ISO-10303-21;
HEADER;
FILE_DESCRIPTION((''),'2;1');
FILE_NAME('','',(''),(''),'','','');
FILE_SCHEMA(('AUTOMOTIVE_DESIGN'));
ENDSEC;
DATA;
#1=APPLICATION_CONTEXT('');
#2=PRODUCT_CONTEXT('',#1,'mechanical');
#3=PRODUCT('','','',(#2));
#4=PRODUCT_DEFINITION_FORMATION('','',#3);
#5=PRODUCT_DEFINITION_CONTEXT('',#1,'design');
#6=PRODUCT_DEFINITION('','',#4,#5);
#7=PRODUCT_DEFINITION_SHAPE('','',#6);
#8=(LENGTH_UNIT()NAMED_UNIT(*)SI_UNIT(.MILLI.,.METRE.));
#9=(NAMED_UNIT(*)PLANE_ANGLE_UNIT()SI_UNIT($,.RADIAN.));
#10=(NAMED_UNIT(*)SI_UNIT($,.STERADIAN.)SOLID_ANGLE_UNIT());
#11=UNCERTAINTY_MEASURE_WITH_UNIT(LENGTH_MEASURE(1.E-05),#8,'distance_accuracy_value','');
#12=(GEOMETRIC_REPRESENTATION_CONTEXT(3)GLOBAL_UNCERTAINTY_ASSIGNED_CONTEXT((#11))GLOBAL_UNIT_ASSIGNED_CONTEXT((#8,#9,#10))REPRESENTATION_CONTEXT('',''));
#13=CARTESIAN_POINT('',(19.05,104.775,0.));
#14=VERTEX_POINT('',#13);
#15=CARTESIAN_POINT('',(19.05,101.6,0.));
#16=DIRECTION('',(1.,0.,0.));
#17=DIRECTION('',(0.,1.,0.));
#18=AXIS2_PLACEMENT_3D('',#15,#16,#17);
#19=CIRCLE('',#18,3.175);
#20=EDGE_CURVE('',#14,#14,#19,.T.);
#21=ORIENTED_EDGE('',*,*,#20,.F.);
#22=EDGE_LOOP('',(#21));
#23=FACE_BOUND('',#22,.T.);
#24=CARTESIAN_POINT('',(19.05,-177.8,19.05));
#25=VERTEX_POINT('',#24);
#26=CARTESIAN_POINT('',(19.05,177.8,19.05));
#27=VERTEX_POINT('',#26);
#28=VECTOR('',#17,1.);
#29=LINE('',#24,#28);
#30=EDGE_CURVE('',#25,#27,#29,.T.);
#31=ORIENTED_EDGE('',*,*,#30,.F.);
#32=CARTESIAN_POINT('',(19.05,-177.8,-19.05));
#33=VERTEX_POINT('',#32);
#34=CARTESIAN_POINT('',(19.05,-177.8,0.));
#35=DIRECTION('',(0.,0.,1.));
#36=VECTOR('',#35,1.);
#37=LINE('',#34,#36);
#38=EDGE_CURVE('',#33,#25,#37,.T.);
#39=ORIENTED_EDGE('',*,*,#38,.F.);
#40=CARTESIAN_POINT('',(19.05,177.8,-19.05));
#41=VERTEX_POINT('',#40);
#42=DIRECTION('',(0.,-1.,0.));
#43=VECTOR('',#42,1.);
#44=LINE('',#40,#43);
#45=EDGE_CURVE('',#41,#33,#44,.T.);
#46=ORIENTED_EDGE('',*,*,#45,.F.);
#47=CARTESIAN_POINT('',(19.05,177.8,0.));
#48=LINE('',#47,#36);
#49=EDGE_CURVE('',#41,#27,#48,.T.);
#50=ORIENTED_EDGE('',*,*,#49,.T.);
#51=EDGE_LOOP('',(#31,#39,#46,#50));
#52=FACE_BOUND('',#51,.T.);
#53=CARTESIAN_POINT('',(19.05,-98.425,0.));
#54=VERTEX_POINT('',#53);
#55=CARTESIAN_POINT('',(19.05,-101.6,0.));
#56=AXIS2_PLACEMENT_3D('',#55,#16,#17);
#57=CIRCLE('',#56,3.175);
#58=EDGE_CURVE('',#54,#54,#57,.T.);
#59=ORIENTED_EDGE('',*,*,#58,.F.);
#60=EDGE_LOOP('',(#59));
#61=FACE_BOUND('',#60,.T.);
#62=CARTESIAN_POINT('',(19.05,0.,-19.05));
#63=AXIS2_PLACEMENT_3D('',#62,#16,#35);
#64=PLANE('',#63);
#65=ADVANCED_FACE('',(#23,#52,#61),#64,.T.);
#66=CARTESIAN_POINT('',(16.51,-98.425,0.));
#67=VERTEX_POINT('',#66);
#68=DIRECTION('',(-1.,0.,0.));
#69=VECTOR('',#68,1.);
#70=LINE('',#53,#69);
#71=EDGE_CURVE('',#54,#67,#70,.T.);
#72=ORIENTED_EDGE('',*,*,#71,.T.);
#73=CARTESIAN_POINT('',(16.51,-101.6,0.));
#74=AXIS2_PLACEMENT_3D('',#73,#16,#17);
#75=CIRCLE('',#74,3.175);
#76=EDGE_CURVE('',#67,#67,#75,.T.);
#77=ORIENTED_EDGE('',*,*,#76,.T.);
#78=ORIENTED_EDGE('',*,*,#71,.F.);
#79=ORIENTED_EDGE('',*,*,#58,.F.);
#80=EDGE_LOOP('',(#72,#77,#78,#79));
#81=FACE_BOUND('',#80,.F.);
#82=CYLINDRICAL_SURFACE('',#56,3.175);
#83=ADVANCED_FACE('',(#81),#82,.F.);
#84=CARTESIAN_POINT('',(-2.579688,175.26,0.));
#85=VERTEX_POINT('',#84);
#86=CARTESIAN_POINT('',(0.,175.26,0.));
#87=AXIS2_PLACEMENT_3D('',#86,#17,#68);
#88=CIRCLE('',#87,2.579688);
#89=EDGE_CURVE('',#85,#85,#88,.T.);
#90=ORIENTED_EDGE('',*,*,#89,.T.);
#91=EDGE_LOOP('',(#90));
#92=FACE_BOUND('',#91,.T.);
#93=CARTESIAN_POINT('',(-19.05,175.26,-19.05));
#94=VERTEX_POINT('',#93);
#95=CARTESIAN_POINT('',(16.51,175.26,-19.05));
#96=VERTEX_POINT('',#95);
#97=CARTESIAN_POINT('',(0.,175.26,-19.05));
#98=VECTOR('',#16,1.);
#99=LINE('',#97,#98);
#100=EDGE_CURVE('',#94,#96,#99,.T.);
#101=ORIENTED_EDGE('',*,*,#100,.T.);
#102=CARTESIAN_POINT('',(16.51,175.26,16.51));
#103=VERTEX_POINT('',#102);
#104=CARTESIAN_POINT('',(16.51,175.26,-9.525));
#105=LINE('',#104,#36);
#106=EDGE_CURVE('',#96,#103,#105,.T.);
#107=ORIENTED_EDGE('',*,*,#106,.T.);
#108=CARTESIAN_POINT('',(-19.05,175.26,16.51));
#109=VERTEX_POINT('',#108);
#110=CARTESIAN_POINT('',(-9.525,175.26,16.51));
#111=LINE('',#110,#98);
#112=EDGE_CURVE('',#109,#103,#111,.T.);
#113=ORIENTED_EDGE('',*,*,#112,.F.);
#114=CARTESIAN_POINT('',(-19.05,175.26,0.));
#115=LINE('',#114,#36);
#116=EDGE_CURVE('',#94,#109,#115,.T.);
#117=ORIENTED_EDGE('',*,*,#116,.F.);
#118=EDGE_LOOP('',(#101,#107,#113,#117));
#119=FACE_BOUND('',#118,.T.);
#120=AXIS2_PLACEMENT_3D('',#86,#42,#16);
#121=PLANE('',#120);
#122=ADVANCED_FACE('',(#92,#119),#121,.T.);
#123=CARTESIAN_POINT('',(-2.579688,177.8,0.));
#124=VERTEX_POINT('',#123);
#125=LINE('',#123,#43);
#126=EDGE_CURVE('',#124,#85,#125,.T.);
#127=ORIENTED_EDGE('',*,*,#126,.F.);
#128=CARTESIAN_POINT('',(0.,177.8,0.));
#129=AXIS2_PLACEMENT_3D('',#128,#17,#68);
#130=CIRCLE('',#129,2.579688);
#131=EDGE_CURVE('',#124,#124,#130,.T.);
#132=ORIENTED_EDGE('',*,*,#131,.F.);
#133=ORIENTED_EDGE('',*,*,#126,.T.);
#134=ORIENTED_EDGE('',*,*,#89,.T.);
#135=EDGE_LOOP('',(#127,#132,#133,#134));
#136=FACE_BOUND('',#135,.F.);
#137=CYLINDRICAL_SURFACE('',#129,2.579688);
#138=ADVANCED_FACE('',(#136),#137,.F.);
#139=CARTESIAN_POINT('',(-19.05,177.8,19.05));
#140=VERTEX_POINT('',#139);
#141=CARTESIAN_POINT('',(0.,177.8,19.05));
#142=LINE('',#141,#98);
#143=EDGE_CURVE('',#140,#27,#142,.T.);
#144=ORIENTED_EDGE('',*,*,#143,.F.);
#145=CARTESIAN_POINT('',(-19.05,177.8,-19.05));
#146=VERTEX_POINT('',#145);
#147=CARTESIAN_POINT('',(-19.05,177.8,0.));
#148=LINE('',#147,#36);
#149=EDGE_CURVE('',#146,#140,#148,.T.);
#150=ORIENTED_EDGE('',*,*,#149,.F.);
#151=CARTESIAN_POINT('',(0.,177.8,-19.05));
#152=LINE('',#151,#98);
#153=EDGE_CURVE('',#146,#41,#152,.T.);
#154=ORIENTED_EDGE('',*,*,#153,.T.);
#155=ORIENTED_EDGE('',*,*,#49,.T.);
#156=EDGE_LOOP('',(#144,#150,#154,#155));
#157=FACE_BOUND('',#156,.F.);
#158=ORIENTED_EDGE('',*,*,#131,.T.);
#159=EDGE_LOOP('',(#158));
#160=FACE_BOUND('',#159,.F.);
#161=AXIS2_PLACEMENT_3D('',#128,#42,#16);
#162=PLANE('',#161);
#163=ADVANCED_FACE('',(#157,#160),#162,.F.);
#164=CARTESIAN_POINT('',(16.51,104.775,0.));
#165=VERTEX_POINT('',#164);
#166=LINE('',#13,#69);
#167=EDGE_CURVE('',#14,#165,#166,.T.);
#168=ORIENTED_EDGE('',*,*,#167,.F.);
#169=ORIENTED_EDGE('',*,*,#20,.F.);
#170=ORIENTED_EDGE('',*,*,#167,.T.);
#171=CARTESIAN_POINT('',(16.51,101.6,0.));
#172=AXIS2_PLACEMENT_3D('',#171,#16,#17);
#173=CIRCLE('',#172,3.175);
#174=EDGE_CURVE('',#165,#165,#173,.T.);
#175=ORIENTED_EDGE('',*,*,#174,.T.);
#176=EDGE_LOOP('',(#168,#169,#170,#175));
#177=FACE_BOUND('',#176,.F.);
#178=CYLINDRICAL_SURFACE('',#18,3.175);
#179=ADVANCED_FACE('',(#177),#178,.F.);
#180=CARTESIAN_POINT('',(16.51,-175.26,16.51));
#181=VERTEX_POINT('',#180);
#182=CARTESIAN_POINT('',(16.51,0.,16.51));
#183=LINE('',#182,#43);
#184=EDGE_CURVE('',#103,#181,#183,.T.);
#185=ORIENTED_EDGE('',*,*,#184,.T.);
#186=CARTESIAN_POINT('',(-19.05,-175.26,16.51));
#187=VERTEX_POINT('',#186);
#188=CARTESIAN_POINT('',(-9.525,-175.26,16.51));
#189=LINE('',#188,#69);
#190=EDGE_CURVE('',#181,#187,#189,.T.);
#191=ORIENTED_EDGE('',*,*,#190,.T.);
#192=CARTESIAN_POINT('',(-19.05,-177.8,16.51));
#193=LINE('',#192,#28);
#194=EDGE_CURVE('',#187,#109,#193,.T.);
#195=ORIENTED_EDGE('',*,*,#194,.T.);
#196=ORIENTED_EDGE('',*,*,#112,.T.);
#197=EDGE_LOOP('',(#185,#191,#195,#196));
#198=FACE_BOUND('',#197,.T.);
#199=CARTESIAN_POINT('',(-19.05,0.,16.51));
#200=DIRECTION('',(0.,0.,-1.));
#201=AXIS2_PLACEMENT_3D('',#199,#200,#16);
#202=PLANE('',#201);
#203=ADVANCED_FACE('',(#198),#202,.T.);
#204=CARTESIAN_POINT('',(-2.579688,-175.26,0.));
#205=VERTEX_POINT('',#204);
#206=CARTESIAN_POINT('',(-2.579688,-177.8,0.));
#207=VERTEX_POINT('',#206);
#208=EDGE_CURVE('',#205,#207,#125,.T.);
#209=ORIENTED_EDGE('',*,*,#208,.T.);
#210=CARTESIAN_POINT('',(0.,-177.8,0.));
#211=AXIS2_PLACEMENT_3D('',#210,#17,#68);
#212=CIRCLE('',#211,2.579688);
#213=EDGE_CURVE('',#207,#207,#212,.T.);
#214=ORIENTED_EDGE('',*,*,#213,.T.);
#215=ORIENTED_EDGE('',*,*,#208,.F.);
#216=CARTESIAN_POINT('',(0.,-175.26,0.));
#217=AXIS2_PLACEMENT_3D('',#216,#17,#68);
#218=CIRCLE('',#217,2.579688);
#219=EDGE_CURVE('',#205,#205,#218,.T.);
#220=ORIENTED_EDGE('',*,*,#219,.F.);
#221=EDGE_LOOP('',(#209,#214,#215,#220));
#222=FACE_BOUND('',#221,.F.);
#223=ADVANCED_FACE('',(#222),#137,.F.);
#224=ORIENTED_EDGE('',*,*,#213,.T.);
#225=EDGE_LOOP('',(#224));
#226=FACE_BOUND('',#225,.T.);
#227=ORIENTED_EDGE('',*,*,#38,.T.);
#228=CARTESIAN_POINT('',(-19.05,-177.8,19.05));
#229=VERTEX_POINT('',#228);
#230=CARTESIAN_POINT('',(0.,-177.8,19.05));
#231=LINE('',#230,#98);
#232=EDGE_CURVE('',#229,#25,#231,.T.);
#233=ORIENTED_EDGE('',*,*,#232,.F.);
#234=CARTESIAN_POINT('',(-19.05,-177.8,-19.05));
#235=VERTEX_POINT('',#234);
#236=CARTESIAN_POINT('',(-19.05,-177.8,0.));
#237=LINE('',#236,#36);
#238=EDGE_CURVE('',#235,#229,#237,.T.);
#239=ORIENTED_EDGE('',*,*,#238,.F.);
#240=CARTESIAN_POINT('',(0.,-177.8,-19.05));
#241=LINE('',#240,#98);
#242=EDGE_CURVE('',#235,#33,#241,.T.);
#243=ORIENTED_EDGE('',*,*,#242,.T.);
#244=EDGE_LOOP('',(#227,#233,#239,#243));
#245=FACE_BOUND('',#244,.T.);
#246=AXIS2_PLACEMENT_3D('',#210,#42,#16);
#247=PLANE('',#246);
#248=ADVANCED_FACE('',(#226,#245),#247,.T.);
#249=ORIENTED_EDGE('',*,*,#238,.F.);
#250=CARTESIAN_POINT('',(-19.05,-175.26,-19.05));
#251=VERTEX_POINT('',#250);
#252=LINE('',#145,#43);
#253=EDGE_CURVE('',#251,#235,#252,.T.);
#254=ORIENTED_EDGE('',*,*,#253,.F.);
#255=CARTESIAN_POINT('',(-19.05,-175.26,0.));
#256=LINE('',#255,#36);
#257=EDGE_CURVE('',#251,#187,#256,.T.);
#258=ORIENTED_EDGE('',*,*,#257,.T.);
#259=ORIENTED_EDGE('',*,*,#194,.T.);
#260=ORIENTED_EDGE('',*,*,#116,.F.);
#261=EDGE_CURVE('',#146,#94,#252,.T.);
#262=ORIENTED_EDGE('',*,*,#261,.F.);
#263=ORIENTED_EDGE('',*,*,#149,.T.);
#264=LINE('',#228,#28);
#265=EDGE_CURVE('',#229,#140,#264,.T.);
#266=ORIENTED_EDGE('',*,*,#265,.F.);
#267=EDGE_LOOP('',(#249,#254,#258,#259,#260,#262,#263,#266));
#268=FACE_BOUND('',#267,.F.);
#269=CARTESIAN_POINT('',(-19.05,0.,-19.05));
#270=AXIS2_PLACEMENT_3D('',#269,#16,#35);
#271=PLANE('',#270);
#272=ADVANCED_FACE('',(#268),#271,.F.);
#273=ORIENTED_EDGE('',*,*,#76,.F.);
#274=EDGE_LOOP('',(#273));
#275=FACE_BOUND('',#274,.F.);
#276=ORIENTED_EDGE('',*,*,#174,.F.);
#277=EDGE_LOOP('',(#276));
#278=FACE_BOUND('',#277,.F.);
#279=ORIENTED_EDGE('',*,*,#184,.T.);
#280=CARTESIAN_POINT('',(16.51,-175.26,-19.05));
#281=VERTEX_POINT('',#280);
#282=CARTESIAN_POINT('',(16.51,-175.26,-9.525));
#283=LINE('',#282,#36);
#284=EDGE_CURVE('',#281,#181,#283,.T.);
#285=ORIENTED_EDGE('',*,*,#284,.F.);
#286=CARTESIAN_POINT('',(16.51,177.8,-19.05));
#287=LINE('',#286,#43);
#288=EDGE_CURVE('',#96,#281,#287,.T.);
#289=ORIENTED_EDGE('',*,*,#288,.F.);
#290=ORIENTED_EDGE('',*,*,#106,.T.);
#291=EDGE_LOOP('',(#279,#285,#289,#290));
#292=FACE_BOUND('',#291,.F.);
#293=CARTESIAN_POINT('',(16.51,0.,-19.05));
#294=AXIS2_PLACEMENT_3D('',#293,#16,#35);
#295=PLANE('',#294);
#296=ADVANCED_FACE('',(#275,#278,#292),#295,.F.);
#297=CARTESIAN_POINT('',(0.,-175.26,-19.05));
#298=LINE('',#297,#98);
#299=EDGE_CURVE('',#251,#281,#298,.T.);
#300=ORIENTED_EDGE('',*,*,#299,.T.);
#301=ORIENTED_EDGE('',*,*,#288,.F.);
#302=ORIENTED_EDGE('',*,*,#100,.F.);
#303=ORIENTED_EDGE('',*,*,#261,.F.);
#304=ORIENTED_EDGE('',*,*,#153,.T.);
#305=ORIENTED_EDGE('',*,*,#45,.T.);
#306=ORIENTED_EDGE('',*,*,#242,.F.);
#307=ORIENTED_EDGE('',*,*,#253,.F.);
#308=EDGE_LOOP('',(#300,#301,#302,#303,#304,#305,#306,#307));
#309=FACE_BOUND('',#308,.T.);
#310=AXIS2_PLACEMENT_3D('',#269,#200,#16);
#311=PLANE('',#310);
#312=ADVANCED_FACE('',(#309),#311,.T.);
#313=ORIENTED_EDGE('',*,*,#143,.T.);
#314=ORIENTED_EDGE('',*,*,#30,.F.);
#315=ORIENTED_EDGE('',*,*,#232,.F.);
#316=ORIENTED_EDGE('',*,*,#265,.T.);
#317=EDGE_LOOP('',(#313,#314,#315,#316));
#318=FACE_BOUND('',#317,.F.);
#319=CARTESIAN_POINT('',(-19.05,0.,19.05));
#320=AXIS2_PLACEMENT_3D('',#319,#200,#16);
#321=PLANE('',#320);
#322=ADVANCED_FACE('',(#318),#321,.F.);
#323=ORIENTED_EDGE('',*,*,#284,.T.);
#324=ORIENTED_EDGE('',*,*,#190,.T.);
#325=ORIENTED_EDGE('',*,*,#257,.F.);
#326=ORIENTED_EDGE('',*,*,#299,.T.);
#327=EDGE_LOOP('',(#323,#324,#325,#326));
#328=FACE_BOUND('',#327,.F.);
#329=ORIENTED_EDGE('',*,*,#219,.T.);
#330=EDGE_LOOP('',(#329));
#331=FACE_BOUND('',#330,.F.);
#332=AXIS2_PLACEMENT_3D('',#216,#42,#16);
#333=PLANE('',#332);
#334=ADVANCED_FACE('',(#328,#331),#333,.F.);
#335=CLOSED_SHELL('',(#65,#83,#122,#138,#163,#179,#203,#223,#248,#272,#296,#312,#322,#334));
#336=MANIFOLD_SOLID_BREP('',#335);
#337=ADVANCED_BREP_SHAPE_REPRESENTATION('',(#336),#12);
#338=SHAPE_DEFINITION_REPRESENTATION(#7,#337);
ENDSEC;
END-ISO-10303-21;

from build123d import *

# Parameters (mm, degrees)
F0_W     = 38.1
F0_H     = 38.1
F1_DEPTH = 177.8
F2_T     = -2.54
F3_R     = 2.579688
F4_DEPTH = 355.601
F5_R     = 3.175
F6_DEPTH = 38.101


with BuildPart() as f1:
    # F0 (on Front) → F1 (new body, symmetric)
    with BuildSketch(Plane.XZ):
        Rectangle(F0_W, F0_H)
    extrude(amount=F1_DEPTH, both=True)

    # F2
    f2_openings = [f1.faces().sort_by_distance(p)[0] for p in [
        (-19.05, 0, 0),
        (0, 0, -19.05),
    ]]
    offset(amount=F2_T, openings=f2_openings)

    # F3 (on face) → F4 (cut, through all)
    with BuildSketch(Plane(origin=(0, 177.8, 0), x_dir=(-1, 0, 0), z_dir=(0, 1, 0))):
        Circle(F3_R)
    extrude(amount=-F4_DEPTH, mode=Mode.SUBTRACT)

    # F5 (on face) → F6 (cut, through all)
    with BuildSketch(Plane.YZ.offset(19.05)):
        with Locations((-101.6, 0)):
            Circle(F5_R)
        with Locations((101.6, 0)):
            Circle(F5_R)
    extrude(amount=-F6_DEPTH, mode=Mode.SUBTRACT)


solid = f1.part
